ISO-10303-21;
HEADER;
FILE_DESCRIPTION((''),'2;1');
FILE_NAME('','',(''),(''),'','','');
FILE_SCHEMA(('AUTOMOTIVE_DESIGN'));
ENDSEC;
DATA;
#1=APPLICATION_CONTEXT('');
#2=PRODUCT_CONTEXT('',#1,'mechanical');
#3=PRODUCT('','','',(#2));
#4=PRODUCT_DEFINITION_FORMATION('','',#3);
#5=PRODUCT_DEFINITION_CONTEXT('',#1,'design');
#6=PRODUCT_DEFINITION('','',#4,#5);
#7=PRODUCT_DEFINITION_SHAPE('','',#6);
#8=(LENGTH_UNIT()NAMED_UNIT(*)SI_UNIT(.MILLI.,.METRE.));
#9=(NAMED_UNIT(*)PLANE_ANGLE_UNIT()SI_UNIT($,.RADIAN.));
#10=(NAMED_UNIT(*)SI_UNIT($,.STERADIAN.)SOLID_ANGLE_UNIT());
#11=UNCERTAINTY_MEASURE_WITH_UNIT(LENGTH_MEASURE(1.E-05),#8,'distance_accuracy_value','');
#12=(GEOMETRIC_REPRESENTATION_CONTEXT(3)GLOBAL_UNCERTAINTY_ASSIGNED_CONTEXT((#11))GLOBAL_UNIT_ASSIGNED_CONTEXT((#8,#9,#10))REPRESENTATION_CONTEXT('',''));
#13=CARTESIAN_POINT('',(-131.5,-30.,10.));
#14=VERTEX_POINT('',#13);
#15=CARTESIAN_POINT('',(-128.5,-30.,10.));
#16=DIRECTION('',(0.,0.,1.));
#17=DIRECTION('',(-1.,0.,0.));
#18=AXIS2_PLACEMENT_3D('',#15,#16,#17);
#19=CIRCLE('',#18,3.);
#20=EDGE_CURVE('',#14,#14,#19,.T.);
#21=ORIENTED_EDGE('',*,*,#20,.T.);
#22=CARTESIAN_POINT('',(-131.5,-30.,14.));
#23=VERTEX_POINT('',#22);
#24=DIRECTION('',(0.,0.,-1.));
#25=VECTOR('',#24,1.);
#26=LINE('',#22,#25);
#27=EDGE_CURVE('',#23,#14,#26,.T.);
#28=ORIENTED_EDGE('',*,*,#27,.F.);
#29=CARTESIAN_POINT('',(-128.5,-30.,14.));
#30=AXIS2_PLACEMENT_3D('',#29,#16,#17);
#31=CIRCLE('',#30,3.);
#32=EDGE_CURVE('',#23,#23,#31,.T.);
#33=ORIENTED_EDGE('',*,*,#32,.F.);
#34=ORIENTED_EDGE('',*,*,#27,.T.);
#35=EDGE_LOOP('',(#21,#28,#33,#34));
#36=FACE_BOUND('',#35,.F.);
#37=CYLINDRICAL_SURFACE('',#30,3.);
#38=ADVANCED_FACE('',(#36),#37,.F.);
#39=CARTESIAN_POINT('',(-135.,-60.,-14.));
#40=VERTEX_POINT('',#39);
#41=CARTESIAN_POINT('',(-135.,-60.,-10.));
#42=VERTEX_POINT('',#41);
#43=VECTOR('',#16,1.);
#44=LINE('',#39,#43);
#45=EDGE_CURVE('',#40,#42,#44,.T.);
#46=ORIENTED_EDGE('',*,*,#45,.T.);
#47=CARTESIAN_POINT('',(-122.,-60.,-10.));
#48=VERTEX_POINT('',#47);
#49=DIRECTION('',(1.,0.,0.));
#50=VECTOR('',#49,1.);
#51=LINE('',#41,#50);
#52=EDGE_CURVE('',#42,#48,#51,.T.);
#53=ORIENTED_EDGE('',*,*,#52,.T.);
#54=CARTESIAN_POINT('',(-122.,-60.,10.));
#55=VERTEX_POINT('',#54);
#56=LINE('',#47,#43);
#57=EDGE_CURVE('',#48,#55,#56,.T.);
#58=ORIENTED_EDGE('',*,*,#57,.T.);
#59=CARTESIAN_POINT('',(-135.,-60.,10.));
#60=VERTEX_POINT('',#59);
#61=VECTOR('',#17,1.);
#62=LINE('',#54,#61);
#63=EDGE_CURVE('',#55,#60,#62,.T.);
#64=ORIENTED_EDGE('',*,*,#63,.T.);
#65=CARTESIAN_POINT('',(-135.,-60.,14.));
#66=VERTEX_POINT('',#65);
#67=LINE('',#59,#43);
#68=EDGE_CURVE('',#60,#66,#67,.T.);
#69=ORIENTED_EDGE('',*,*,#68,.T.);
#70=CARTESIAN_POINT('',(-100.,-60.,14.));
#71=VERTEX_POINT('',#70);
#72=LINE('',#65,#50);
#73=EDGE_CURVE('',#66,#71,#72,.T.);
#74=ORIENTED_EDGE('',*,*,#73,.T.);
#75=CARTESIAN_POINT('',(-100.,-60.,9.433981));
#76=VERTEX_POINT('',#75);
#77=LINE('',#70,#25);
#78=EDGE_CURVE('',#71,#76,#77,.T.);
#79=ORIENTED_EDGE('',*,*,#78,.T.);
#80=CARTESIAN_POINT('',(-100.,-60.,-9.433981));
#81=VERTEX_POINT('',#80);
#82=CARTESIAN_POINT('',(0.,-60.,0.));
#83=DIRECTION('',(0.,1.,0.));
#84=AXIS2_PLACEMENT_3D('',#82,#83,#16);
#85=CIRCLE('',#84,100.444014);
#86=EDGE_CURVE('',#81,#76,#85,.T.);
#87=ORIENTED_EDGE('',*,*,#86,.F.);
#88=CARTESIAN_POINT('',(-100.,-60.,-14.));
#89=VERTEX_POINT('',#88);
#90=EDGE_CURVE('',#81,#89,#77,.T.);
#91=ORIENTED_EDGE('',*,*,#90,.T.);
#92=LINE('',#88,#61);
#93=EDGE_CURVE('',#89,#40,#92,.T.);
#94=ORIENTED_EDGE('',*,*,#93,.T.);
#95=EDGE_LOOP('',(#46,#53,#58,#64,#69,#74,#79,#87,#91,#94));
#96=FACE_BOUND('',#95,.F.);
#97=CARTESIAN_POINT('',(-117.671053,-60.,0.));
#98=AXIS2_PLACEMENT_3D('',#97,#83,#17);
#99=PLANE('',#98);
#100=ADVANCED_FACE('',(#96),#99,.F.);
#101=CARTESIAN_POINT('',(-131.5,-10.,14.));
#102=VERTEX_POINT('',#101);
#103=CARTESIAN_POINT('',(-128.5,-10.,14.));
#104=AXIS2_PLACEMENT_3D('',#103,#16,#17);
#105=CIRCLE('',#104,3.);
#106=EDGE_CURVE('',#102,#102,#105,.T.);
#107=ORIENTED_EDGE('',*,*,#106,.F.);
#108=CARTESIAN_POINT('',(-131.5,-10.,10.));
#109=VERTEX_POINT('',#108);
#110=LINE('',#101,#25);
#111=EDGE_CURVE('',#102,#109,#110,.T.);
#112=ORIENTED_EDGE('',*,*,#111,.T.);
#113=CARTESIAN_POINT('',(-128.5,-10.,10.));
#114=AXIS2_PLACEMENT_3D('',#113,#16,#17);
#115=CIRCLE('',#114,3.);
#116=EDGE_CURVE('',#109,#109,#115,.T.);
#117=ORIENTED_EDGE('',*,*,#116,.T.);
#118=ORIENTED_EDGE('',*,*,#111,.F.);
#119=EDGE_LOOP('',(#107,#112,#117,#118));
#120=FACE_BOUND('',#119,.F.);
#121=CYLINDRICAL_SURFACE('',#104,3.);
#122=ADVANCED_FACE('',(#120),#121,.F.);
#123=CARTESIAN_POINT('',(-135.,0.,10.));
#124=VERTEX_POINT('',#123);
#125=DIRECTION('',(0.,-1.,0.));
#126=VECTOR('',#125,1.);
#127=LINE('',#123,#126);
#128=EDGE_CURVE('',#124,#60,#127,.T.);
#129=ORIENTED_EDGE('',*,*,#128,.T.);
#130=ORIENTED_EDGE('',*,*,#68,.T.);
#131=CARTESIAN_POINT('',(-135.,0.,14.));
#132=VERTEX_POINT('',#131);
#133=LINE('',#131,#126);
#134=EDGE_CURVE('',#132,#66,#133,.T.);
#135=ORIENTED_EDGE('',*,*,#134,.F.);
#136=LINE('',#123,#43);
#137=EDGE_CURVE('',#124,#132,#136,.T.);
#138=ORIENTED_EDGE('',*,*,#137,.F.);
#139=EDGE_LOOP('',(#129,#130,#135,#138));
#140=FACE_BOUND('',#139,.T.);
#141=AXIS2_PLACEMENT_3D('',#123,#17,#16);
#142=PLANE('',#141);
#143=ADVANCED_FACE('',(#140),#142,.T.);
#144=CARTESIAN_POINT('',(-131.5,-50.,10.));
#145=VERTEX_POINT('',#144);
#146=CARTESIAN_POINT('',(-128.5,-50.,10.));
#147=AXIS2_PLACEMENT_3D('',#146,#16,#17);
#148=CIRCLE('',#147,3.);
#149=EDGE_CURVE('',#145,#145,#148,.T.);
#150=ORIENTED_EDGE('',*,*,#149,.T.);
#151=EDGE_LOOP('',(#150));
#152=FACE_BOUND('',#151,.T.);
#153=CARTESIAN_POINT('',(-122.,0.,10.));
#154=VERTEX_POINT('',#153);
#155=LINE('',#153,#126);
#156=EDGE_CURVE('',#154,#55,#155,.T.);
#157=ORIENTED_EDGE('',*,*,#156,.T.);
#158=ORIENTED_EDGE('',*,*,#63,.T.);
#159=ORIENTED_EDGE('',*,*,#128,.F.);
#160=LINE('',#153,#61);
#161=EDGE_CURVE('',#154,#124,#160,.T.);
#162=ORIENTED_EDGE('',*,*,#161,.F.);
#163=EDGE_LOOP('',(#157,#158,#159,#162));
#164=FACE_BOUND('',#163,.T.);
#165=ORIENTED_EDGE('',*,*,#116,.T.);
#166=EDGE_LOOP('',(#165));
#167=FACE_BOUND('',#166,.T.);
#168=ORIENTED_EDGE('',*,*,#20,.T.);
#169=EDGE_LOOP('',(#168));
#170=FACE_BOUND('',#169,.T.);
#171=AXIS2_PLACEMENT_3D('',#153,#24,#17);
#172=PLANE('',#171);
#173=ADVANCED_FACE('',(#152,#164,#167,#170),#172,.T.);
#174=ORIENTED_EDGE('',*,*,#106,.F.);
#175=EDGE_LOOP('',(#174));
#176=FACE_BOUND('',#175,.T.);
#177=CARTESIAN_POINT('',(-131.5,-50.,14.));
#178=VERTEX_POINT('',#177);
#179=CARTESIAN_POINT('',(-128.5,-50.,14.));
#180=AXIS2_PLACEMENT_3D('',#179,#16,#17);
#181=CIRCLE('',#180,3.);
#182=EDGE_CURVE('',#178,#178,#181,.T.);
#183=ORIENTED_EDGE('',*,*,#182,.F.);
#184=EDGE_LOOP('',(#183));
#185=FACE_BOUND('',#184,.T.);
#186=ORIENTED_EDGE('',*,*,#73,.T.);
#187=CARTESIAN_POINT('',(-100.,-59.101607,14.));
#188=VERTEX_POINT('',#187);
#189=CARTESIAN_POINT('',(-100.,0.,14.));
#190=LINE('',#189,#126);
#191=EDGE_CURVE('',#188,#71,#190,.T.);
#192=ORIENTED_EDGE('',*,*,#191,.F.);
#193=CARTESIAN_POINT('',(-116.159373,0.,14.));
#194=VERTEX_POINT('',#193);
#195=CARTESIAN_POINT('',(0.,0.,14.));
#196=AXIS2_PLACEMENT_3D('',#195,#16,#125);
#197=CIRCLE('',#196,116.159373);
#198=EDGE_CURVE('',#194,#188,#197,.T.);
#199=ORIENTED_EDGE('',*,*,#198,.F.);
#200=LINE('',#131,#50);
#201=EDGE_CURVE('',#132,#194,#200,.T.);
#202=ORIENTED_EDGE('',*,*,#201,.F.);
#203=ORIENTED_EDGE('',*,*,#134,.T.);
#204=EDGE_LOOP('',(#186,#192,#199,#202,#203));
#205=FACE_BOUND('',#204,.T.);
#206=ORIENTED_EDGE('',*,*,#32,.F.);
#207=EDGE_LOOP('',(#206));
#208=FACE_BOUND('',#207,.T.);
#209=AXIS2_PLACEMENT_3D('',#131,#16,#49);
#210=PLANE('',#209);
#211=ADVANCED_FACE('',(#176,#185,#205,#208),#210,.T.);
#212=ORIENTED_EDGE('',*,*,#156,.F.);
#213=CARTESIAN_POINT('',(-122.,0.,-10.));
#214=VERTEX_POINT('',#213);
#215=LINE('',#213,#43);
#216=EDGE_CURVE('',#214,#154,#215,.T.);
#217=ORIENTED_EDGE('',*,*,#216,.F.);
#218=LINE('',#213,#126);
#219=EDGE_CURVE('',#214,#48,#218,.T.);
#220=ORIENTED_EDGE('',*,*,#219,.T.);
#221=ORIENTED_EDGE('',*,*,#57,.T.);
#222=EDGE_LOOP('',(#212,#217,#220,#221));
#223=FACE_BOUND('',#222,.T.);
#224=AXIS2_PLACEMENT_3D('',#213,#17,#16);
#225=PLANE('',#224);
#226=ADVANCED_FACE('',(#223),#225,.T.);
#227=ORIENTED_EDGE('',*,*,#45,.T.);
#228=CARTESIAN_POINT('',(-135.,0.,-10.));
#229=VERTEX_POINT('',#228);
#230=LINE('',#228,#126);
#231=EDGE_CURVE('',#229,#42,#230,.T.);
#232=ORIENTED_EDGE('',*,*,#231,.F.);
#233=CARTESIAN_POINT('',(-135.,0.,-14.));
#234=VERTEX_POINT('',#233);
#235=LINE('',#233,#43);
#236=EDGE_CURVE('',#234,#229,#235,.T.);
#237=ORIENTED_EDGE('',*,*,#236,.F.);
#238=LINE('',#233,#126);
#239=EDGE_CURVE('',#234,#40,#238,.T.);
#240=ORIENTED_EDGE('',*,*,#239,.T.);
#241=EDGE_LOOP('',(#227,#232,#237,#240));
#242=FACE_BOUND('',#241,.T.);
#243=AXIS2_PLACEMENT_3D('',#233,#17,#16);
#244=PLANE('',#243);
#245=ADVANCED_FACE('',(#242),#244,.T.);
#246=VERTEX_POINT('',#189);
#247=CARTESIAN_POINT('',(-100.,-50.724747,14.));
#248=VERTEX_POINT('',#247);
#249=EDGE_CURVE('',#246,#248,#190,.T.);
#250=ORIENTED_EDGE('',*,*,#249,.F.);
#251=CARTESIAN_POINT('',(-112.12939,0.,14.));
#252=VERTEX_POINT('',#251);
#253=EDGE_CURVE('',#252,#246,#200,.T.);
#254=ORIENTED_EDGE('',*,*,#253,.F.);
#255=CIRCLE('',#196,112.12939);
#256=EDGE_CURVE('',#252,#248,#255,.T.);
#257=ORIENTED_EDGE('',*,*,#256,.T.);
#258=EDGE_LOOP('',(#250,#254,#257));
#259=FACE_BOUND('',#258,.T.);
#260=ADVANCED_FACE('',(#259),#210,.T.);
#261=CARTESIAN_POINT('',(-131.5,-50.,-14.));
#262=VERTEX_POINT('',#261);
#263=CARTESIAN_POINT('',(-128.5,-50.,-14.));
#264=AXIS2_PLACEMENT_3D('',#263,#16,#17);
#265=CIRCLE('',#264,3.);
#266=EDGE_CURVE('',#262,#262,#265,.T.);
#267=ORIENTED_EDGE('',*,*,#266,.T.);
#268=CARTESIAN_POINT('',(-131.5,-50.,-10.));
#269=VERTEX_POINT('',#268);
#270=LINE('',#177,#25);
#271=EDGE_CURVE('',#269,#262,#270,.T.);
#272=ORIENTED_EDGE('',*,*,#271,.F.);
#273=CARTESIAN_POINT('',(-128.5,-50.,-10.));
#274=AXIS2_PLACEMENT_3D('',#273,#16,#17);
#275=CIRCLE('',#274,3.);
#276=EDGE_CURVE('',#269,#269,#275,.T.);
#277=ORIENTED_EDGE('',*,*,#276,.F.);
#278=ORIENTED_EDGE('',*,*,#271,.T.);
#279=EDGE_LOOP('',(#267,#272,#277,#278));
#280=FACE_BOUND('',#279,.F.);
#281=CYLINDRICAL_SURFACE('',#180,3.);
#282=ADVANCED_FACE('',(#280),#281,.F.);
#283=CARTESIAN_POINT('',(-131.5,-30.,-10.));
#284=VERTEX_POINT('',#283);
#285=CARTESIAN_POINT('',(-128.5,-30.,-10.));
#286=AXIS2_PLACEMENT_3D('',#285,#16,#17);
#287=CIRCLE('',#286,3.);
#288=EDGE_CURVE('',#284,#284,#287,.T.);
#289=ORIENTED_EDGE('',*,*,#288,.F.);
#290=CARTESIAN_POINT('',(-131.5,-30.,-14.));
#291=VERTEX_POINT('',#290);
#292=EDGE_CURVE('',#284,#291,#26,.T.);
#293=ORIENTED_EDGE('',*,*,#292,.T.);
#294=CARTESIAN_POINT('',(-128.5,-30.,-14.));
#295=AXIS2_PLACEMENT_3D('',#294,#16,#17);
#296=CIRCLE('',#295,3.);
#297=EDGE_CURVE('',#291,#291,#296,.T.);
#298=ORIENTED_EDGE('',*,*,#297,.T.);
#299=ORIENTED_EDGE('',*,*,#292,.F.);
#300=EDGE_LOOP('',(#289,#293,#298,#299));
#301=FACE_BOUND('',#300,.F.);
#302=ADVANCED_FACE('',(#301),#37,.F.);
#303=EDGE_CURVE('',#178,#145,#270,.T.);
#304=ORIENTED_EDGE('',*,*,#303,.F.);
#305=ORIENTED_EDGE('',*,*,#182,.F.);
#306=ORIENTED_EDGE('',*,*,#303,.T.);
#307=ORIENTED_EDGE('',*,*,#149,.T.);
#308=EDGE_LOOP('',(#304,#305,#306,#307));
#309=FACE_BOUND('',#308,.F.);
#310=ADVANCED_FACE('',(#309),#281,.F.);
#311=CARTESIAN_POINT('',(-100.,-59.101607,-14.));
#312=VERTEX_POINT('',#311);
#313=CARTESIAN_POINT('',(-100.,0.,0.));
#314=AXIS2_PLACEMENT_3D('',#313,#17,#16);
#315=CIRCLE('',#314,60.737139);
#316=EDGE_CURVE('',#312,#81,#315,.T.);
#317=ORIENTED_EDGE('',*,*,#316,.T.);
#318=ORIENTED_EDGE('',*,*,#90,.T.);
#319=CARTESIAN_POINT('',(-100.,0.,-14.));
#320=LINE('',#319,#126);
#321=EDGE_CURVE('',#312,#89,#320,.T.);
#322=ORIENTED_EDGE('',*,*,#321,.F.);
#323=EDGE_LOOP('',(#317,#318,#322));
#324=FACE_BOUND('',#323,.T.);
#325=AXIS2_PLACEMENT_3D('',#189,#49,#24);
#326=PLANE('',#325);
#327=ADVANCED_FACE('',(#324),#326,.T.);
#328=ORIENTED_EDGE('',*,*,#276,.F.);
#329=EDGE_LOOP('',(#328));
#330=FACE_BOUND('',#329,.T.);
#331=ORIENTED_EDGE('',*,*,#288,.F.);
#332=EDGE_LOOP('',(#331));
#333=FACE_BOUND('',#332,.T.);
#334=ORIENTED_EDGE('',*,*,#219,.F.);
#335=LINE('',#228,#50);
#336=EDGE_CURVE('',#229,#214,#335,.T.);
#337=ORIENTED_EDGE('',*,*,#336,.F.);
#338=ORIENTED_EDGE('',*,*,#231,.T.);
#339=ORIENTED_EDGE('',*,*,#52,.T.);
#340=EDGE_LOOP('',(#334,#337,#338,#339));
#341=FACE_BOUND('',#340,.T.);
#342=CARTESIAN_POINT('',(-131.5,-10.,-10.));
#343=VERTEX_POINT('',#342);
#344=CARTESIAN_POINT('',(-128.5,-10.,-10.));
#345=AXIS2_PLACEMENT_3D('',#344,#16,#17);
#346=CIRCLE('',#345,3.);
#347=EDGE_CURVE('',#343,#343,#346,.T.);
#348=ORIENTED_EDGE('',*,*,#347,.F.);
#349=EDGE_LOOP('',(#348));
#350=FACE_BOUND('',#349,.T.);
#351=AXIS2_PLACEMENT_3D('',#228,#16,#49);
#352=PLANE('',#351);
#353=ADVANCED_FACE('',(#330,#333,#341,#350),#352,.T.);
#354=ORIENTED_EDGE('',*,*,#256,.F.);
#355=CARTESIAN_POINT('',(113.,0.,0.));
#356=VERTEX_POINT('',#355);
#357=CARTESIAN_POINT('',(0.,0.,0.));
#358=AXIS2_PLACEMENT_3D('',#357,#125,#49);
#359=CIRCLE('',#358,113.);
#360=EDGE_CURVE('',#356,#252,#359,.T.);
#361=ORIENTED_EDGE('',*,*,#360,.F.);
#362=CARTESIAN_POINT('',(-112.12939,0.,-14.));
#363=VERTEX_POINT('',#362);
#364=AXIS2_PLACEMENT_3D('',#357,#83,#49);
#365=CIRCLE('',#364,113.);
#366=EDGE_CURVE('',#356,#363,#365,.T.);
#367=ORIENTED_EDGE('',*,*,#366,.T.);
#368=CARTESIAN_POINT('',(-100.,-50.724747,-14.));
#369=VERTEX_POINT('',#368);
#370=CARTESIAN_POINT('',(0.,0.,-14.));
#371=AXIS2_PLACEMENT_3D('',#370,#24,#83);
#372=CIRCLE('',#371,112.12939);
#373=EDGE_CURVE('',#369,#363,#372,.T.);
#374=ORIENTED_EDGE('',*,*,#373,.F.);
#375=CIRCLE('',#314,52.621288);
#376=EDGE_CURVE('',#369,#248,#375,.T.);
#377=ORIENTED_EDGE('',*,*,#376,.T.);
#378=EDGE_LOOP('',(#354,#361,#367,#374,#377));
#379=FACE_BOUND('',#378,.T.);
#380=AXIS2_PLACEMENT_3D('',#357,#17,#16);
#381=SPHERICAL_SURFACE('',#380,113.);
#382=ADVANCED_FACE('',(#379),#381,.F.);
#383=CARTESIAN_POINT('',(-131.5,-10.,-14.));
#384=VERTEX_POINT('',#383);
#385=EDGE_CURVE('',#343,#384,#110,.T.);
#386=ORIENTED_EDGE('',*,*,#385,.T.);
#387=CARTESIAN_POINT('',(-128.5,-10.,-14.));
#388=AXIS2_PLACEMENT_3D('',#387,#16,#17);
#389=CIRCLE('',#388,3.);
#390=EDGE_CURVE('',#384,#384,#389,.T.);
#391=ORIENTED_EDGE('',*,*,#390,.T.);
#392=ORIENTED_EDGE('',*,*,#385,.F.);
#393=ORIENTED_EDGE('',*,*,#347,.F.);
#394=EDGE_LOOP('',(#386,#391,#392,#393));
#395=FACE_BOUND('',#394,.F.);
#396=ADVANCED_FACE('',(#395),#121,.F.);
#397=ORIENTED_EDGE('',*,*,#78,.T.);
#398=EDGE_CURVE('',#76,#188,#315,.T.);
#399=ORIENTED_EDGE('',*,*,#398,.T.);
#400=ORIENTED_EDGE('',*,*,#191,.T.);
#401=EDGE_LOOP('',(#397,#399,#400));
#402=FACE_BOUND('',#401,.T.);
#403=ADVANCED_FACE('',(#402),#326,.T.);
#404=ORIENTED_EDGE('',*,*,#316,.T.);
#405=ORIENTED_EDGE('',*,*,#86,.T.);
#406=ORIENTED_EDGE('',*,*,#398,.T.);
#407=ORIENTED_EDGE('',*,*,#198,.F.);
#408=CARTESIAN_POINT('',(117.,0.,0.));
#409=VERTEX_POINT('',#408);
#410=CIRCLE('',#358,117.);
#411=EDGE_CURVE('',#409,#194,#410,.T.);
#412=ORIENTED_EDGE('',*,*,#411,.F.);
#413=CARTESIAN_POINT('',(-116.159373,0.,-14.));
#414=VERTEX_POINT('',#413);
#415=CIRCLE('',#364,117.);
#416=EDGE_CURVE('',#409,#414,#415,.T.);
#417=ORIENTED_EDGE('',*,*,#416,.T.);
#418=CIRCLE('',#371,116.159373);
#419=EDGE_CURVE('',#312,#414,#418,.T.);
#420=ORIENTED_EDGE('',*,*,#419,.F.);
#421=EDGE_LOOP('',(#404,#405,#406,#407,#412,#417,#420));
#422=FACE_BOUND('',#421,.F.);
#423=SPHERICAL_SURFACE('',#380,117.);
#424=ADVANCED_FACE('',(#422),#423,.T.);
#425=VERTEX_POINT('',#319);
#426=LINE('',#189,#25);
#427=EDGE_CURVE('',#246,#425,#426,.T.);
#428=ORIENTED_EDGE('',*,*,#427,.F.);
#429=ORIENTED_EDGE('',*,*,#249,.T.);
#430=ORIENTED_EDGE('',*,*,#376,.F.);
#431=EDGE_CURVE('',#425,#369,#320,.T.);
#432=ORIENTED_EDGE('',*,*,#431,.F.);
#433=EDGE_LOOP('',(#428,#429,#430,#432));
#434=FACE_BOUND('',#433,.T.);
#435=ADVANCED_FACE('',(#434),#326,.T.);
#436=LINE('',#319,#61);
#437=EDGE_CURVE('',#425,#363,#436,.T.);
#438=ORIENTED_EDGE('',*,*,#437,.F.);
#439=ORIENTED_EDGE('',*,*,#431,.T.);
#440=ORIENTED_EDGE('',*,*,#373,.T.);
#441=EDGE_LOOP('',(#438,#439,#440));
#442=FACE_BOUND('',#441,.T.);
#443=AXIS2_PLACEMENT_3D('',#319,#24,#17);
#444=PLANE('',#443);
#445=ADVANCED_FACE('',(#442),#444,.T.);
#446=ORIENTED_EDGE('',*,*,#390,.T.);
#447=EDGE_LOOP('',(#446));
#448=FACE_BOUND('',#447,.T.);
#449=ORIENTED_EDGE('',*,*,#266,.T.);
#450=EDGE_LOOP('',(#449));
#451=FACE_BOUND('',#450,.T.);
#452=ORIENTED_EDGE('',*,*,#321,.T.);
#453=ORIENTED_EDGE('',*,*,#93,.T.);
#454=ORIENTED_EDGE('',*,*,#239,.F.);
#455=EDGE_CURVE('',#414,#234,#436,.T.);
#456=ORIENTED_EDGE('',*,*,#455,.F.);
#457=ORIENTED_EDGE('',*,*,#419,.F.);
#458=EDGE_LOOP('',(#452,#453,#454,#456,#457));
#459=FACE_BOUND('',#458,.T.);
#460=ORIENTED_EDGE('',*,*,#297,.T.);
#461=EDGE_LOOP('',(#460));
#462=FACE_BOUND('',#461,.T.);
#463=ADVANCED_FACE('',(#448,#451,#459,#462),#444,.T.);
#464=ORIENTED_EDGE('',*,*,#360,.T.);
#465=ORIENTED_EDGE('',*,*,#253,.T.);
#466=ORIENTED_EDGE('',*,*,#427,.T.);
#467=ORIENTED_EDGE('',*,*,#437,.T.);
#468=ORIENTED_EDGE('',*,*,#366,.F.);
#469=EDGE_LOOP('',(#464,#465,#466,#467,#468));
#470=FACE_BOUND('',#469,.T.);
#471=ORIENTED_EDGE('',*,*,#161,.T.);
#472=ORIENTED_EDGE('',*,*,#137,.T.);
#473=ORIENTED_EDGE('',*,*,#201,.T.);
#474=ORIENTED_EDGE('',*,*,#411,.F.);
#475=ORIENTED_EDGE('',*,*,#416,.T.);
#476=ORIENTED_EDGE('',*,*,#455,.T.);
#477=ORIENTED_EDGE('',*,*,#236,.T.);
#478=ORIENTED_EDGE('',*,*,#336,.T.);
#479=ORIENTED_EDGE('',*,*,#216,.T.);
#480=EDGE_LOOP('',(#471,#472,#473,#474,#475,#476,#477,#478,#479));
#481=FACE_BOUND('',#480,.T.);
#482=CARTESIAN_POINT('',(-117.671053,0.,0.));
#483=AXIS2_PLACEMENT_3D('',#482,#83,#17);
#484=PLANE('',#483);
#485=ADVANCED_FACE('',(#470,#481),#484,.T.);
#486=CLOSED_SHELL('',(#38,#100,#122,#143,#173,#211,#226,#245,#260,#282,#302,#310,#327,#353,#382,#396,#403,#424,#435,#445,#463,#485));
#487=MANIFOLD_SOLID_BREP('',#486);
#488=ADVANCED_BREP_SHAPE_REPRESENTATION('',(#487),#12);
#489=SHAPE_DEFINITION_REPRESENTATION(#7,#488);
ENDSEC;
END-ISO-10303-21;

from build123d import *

# Parameters (mm, degrees)
REVOLUTION_ANGLE = 180
PAD_DEPTH        = 60
SKETCH002_R      = 3
HOLE_DEPTH       = 131.001


with BuildPart() as part:
    # Sketch → Revolution (revolve)
    with BuildSketch(Plane.XZ):
        with BuildLine():
            ThreePointArc((117, 0), (0, 117), (-117, 0))
            Line((-117, 0), (-113, 0))
            ThreePointArc((113, 0), (0, 113), (-113, 0))
            Line((113, 0), (117, 0))
        make_face()
    revolve(axis=Axis((0, 0, 0), (1, 0, 0)), revolution_arc=REVOLUTION_ANGLE)

    # Sketch001 → Pad (new body)
    with BuildSketch(Plane.XZ):
        Polygon((-100, 14), (-100, -14), (-135, -14), (-135, -10), (-122, -10), (-122, 10), (-135, 10), (-135, 14), align=None)
    extrude(amount=PAD_DEPTH)

    # Sketch002 (on Face3 of Pad) → Hole (cut, through all)
    with BuildSketch(Plane(origin=(0, 0, 14), x_dir=(-1, 0, 0), z_dir=(0, 0, 1))):
        with Locations((128.5, 10)):
            Circle(SKETCH002_R)
        with Locations((128.5, 30)):
            Circle(SKETCH002_R)
        with Locations((128.5, 50)):
            Circle(SKETCH002_R)
    extrude(amount=-HOLE_DEPTH, mode=Mode.SUBTRACT)


solid = part.part
